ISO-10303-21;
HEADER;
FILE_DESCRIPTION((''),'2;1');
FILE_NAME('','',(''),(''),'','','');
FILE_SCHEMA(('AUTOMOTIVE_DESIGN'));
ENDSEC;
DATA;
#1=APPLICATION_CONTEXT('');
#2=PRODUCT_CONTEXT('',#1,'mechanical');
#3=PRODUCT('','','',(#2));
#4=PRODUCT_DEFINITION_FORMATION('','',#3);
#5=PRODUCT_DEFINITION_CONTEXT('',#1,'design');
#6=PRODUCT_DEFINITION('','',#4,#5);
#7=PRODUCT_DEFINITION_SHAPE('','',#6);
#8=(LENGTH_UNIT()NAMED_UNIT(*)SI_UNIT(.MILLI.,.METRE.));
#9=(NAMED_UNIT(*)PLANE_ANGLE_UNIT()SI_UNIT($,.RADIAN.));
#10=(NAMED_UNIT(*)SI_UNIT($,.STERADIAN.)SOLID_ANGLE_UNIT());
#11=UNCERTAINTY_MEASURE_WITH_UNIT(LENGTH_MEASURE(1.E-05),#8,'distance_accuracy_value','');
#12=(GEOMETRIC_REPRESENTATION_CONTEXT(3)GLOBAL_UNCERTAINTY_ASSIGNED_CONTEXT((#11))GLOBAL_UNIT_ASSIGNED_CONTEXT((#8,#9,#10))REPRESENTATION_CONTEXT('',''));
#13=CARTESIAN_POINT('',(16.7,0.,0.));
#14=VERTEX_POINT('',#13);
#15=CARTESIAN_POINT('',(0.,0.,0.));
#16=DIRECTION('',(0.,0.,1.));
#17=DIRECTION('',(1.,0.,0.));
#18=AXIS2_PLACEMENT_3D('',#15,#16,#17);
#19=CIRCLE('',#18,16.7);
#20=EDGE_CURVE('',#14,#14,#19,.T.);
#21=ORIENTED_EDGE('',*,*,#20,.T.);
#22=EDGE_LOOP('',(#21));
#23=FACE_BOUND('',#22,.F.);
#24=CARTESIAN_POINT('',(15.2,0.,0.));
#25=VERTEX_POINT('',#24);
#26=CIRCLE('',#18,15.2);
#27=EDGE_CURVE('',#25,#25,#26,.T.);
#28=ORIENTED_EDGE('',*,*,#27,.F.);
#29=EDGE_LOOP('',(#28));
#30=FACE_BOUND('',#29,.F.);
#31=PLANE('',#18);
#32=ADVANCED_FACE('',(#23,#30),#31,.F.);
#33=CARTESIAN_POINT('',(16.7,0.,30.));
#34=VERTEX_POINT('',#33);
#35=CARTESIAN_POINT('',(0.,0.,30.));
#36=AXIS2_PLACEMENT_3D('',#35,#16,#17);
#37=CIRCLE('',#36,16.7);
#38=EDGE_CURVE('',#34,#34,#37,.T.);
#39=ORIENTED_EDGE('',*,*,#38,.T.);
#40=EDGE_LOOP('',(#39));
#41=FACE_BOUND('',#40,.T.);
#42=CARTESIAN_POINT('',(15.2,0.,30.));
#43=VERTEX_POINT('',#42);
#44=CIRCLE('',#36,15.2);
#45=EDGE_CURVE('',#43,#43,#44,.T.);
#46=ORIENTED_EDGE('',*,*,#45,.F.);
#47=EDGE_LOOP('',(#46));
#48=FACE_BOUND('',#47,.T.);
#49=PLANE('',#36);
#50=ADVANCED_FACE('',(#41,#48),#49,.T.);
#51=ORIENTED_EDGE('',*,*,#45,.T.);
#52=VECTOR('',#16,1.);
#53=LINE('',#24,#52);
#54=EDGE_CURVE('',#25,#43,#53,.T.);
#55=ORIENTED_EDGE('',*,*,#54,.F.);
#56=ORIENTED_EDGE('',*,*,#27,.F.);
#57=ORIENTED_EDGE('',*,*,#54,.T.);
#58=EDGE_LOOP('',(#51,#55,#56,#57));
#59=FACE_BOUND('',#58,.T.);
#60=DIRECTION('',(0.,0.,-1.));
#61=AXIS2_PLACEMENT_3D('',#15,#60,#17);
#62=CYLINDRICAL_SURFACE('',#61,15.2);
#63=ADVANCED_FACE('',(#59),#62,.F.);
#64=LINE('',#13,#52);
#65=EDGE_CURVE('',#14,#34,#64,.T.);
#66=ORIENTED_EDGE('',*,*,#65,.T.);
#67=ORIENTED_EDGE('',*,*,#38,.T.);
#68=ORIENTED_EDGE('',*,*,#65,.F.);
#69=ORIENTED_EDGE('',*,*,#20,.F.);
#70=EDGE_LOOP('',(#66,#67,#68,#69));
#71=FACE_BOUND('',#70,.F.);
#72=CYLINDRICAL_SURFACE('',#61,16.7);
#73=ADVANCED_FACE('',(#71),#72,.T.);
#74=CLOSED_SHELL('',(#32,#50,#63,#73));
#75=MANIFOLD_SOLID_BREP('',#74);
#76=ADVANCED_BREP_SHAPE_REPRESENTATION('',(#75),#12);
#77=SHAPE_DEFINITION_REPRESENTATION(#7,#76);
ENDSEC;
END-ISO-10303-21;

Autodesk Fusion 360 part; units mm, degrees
sketch "Sketch1" plane through (0, 0, 0) normal (0, 0, 1) x (1, 0, 0)
  circle A0 centre (0, 0) radius 15.2
  circle A1 centre (0, 0) radius 16.7
  dimension "d1" = 30.4
  dimension "d2" = 1.5
extrude "Extrude1" add sketch "Sketch1" along normal blind 30
